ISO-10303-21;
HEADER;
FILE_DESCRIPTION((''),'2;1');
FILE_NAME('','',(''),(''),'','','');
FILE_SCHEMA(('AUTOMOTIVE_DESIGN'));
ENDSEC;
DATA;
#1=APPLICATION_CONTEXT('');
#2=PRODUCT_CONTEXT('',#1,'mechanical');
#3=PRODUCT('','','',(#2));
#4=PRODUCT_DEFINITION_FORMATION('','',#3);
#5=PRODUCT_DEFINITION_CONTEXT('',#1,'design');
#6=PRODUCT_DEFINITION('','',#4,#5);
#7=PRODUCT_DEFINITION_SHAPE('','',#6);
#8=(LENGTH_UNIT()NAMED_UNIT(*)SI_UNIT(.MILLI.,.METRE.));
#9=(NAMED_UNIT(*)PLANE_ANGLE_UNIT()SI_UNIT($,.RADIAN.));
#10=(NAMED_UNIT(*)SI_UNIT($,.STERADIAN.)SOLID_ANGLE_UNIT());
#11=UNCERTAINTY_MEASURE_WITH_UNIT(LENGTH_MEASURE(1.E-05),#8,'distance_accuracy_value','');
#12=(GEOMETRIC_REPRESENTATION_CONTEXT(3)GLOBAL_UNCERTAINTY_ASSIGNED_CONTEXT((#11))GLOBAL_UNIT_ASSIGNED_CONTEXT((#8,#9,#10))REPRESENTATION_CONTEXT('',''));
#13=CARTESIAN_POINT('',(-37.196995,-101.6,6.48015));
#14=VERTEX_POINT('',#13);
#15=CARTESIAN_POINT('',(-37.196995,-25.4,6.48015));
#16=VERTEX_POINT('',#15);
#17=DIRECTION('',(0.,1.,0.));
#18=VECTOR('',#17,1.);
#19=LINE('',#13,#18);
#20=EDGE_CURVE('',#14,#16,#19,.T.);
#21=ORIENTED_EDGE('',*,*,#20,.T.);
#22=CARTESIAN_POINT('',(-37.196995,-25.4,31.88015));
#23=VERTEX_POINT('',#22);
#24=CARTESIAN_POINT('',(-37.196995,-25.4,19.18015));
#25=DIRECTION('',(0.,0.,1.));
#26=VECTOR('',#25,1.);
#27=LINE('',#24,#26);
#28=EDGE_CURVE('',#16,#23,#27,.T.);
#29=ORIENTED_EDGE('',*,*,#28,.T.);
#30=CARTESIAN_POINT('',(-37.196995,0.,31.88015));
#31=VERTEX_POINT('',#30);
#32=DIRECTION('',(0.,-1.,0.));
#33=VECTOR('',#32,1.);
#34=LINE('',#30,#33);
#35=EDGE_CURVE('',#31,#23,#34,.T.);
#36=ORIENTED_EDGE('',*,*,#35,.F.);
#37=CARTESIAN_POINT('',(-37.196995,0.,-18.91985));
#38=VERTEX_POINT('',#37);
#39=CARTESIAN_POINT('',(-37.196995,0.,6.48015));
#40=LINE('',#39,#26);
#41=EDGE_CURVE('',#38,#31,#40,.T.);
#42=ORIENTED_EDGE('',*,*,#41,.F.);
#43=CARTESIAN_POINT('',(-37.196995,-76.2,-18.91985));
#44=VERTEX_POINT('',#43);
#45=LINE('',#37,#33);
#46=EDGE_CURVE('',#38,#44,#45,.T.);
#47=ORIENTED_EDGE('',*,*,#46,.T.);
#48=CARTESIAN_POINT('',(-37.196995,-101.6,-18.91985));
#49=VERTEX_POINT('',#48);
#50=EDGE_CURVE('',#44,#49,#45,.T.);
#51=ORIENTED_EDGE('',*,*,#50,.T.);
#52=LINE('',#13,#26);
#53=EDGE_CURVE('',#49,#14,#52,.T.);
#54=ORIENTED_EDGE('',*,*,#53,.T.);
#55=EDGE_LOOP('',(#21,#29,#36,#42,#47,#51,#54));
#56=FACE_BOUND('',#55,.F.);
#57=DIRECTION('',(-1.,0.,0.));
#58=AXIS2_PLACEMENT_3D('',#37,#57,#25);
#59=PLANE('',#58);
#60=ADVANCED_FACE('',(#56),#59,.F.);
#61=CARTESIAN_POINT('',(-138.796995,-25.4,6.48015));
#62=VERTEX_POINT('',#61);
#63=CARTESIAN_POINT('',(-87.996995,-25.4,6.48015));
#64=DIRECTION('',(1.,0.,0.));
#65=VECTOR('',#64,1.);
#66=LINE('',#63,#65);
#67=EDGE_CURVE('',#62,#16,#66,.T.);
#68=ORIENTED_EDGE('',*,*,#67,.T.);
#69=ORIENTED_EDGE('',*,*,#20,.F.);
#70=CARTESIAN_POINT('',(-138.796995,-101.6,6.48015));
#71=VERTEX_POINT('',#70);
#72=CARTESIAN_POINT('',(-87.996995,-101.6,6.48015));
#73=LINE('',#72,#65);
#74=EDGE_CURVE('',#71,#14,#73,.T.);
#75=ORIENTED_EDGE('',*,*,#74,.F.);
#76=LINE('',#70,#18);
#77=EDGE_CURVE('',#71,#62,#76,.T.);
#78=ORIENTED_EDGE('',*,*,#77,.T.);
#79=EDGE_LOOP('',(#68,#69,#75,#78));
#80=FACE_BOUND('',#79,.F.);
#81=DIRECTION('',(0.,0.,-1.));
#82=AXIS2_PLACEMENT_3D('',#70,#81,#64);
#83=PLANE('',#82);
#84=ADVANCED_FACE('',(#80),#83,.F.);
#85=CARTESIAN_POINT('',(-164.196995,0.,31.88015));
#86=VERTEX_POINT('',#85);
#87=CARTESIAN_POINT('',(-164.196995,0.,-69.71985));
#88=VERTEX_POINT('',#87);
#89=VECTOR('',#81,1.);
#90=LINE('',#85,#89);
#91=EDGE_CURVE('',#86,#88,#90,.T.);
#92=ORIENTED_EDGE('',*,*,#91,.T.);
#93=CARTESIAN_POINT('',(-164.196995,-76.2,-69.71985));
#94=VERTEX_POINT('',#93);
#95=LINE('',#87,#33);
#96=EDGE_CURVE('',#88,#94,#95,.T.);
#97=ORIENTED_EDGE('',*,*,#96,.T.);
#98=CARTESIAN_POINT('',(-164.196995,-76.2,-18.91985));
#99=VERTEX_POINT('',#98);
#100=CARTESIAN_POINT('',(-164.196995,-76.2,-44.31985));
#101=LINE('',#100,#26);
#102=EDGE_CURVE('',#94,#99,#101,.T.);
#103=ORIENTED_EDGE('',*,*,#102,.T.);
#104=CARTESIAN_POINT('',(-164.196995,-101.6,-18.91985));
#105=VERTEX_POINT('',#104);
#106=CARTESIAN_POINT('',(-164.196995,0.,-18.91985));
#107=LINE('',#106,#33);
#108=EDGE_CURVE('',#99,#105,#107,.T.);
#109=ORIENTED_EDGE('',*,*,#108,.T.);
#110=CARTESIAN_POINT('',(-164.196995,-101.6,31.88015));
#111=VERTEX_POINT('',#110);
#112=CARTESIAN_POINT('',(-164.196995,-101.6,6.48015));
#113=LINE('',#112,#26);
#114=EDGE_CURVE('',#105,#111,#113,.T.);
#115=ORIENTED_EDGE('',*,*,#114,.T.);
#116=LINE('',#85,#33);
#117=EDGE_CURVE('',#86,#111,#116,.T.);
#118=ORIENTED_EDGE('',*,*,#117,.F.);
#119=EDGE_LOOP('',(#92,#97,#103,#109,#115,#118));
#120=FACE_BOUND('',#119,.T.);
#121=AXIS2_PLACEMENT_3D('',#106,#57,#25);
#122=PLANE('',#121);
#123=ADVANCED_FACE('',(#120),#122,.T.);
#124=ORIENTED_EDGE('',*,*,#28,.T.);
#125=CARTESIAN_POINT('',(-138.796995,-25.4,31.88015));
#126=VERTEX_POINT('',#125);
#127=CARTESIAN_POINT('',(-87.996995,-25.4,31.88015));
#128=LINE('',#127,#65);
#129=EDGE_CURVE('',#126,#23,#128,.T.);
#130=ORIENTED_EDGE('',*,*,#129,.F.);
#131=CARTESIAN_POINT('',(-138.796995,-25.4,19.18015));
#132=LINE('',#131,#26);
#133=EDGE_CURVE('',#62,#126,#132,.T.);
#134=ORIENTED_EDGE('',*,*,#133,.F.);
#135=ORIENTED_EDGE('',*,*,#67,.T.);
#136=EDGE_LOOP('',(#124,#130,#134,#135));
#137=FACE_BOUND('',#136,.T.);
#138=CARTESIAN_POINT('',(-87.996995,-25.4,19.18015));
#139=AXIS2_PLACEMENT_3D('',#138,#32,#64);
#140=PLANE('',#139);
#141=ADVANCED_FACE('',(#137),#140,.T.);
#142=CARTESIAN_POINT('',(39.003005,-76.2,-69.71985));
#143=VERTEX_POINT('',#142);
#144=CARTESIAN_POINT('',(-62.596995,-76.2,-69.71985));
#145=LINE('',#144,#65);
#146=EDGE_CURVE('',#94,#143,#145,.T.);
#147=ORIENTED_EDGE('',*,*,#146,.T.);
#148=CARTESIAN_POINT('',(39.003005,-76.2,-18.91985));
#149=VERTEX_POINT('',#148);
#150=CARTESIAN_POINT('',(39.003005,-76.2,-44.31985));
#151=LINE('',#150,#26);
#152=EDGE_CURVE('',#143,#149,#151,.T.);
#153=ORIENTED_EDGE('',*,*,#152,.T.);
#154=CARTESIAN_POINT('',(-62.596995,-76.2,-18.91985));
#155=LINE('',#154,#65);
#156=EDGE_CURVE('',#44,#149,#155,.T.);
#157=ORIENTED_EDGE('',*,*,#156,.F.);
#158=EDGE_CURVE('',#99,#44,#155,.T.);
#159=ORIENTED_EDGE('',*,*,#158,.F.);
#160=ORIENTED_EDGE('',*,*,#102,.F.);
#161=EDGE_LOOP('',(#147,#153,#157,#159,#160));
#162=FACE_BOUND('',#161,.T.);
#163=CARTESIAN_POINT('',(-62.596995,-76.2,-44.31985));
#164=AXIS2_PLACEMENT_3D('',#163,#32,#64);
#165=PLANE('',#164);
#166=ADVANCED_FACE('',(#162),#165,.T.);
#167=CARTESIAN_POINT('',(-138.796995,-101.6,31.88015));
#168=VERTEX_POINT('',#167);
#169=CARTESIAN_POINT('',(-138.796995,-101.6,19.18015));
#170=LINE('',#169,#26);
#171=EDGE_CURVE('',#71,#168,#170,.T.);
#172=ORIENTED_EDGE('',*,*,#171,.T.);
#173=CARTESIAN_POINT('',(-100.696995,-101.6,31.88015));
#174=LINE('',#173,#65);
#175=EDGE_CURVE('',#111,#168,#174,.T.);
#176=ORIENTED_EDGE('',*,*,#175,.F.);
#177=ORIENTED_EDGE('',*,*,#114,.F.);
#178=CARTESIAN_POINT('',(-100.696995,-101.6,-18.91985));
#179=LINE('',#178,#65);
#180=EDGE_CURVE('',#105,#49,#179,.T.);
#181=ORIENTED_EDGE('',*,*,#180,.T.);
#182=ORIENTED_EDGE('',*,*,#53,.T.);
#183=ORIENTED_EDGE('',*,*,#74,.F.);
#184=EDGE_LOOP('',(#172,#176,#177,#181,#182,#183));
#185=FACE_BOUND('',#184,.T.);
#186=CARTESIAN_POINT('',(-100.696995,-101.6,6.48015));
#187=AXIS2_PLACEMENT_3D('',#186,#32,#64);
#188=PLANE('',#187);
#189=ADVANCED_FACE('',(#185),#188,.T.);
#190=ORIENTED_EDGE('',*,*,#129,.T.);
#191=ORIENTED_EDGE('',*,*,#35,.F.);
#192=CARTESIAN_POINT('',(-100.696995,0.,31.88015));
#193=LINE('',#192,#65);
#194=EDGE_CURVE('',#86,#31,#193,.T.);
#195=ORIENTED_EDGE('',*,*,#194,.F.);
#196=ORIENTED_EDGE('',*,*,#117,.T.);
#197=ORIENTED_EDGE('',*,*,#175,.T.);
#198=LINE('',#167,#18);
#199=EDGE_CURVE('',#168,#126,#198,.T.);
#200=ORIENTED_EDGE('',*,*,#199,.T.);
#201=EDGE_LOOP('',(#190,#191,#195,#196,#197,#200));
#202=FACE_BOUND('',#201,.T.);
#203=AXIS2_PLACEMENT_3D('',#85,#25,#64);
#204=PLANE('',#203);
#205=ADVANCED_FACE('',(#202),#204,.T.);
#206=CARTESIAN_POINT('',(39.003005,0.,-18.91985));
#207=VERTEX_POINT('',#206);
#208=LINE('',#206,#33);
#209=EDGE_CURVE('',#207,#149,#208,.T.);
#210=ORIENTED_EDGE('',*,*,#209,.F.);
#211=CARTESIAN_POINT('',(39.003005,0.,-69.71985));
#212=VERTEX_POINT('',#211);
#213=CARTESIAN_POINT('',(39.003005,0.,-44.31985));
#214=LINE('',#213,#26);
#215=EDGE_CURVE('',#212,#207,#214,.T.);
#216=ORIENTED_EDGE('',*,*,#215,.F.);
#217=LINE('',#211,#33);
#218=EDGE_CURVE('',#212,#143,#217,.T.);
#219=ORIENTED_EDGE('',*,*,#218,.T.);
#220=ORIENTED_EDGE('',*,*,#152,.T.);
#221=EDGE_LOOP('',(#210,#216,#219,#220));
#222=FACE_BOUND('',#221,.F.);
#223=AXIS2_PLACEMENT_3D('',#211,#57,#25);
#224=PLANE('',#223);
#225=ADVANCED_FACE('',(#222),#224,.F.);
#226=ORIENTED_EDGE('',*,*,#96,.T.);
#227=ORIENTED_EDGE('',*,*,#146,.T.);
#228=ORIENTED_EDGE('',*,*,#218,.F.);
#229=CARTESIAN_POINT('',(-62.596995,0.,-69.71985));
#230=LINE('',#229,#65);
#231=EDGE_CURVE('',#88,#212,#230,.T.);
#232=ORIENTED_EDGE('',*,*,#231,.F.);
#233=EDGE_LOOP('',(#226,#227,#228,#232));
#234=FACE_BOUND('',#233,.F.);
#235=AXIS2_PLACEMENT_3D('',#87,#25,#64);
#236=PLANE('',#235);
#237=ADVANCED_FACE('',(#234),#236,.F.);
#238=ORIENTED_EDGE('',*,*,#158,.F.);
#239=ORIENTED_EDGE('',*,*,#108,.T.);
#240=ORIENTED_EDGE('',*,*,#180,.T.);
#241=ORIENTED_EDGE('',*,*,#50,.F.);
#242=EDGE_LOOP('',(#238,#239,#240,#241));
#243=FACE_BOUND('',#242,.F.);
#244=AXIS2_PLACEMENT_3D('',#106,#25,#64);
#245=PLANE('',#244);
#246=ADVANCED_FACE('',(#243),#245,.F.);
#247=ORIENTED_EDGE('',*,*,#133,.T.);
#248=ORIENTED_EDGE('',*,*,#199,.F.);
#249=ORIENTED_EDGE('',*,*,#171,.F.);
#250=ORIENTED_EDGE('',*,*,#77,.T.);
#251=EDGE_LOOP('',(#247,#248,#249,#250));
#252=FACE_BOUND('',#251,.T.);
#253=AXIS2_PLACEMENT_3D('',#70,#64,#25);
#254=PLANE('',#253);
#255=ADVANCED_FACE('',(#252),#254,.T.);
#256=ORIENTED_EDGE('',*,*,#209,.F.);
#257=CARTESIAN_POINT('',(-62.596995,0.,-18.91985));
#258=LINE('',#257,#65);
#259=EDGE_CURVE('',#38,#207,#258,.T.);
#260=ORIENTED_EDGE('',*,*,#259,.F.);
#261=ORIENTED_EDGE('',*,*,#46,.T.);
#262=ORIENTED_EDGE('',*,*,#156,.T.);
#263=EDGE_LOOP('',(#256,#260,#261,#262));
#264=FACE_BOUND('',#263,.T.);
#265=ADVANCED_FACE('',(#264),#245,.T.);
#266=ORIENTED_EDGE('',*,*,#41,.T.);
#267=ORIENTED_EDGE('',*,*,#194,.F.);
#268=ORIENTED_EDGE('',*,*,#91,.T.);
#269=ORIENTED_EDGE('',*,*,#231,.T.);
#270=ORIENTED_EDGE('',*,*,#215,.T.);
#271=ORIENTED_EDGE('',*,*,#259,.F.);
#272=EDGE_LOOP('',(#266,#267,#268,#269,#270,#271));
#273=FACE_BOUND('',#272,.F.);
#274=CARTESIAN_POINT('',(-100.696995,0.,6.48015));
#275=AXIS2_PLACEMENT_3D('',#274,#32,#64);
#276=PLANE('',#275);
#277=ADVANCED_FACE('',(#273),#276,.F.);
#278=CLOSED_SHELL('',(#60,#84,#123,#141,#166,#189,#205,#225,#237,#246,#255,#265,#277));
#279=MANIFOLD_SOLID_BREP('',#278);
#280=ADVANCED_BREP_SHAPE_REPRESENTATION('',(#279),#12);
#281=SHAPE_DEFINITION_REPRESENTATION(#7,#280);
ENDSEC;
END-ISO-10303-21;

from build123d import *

# Parameters (mm, degrees)
F0_W     = 203.2
F0_H     = 50.8
F1_DEPTH = 76.2
F2_W     = 127
F2_H     = 50.8
F3_DEPTH = 101.6
F4_W     = 101.6
F4_H     = 25.4
F5_DEPTH = 76.2


with BuildPart() as f1:
    # F0 (on Front) → F1 (new body)
    with BuildSketch(Plane.XZ):
        with Locations((-62.596995, -44.31985)):
            Rectangle(F0_W, F0_H)
    extrude(amount=F1_DEPTH)

    # F2 (on Front) → F3 (join)
    with BuildSketch(Plane.XZ):
        with Locations((-100.696995, 6.48015)):
            Rectangle(F2_W, F2_H)
    extrude(amount=F3_DEPTH)

    # F4 (on face) → F5 (cut)
    with BuildSketch(Plane.XZ.offset(101.6)):
        with Locations((-87.996995, 19.18015)):
            Rectangle(F4_W, F4_H)
    extrude(amount=-F5_DEPTH, mode=Mode.SUBTRACT)


solid = f1.part
